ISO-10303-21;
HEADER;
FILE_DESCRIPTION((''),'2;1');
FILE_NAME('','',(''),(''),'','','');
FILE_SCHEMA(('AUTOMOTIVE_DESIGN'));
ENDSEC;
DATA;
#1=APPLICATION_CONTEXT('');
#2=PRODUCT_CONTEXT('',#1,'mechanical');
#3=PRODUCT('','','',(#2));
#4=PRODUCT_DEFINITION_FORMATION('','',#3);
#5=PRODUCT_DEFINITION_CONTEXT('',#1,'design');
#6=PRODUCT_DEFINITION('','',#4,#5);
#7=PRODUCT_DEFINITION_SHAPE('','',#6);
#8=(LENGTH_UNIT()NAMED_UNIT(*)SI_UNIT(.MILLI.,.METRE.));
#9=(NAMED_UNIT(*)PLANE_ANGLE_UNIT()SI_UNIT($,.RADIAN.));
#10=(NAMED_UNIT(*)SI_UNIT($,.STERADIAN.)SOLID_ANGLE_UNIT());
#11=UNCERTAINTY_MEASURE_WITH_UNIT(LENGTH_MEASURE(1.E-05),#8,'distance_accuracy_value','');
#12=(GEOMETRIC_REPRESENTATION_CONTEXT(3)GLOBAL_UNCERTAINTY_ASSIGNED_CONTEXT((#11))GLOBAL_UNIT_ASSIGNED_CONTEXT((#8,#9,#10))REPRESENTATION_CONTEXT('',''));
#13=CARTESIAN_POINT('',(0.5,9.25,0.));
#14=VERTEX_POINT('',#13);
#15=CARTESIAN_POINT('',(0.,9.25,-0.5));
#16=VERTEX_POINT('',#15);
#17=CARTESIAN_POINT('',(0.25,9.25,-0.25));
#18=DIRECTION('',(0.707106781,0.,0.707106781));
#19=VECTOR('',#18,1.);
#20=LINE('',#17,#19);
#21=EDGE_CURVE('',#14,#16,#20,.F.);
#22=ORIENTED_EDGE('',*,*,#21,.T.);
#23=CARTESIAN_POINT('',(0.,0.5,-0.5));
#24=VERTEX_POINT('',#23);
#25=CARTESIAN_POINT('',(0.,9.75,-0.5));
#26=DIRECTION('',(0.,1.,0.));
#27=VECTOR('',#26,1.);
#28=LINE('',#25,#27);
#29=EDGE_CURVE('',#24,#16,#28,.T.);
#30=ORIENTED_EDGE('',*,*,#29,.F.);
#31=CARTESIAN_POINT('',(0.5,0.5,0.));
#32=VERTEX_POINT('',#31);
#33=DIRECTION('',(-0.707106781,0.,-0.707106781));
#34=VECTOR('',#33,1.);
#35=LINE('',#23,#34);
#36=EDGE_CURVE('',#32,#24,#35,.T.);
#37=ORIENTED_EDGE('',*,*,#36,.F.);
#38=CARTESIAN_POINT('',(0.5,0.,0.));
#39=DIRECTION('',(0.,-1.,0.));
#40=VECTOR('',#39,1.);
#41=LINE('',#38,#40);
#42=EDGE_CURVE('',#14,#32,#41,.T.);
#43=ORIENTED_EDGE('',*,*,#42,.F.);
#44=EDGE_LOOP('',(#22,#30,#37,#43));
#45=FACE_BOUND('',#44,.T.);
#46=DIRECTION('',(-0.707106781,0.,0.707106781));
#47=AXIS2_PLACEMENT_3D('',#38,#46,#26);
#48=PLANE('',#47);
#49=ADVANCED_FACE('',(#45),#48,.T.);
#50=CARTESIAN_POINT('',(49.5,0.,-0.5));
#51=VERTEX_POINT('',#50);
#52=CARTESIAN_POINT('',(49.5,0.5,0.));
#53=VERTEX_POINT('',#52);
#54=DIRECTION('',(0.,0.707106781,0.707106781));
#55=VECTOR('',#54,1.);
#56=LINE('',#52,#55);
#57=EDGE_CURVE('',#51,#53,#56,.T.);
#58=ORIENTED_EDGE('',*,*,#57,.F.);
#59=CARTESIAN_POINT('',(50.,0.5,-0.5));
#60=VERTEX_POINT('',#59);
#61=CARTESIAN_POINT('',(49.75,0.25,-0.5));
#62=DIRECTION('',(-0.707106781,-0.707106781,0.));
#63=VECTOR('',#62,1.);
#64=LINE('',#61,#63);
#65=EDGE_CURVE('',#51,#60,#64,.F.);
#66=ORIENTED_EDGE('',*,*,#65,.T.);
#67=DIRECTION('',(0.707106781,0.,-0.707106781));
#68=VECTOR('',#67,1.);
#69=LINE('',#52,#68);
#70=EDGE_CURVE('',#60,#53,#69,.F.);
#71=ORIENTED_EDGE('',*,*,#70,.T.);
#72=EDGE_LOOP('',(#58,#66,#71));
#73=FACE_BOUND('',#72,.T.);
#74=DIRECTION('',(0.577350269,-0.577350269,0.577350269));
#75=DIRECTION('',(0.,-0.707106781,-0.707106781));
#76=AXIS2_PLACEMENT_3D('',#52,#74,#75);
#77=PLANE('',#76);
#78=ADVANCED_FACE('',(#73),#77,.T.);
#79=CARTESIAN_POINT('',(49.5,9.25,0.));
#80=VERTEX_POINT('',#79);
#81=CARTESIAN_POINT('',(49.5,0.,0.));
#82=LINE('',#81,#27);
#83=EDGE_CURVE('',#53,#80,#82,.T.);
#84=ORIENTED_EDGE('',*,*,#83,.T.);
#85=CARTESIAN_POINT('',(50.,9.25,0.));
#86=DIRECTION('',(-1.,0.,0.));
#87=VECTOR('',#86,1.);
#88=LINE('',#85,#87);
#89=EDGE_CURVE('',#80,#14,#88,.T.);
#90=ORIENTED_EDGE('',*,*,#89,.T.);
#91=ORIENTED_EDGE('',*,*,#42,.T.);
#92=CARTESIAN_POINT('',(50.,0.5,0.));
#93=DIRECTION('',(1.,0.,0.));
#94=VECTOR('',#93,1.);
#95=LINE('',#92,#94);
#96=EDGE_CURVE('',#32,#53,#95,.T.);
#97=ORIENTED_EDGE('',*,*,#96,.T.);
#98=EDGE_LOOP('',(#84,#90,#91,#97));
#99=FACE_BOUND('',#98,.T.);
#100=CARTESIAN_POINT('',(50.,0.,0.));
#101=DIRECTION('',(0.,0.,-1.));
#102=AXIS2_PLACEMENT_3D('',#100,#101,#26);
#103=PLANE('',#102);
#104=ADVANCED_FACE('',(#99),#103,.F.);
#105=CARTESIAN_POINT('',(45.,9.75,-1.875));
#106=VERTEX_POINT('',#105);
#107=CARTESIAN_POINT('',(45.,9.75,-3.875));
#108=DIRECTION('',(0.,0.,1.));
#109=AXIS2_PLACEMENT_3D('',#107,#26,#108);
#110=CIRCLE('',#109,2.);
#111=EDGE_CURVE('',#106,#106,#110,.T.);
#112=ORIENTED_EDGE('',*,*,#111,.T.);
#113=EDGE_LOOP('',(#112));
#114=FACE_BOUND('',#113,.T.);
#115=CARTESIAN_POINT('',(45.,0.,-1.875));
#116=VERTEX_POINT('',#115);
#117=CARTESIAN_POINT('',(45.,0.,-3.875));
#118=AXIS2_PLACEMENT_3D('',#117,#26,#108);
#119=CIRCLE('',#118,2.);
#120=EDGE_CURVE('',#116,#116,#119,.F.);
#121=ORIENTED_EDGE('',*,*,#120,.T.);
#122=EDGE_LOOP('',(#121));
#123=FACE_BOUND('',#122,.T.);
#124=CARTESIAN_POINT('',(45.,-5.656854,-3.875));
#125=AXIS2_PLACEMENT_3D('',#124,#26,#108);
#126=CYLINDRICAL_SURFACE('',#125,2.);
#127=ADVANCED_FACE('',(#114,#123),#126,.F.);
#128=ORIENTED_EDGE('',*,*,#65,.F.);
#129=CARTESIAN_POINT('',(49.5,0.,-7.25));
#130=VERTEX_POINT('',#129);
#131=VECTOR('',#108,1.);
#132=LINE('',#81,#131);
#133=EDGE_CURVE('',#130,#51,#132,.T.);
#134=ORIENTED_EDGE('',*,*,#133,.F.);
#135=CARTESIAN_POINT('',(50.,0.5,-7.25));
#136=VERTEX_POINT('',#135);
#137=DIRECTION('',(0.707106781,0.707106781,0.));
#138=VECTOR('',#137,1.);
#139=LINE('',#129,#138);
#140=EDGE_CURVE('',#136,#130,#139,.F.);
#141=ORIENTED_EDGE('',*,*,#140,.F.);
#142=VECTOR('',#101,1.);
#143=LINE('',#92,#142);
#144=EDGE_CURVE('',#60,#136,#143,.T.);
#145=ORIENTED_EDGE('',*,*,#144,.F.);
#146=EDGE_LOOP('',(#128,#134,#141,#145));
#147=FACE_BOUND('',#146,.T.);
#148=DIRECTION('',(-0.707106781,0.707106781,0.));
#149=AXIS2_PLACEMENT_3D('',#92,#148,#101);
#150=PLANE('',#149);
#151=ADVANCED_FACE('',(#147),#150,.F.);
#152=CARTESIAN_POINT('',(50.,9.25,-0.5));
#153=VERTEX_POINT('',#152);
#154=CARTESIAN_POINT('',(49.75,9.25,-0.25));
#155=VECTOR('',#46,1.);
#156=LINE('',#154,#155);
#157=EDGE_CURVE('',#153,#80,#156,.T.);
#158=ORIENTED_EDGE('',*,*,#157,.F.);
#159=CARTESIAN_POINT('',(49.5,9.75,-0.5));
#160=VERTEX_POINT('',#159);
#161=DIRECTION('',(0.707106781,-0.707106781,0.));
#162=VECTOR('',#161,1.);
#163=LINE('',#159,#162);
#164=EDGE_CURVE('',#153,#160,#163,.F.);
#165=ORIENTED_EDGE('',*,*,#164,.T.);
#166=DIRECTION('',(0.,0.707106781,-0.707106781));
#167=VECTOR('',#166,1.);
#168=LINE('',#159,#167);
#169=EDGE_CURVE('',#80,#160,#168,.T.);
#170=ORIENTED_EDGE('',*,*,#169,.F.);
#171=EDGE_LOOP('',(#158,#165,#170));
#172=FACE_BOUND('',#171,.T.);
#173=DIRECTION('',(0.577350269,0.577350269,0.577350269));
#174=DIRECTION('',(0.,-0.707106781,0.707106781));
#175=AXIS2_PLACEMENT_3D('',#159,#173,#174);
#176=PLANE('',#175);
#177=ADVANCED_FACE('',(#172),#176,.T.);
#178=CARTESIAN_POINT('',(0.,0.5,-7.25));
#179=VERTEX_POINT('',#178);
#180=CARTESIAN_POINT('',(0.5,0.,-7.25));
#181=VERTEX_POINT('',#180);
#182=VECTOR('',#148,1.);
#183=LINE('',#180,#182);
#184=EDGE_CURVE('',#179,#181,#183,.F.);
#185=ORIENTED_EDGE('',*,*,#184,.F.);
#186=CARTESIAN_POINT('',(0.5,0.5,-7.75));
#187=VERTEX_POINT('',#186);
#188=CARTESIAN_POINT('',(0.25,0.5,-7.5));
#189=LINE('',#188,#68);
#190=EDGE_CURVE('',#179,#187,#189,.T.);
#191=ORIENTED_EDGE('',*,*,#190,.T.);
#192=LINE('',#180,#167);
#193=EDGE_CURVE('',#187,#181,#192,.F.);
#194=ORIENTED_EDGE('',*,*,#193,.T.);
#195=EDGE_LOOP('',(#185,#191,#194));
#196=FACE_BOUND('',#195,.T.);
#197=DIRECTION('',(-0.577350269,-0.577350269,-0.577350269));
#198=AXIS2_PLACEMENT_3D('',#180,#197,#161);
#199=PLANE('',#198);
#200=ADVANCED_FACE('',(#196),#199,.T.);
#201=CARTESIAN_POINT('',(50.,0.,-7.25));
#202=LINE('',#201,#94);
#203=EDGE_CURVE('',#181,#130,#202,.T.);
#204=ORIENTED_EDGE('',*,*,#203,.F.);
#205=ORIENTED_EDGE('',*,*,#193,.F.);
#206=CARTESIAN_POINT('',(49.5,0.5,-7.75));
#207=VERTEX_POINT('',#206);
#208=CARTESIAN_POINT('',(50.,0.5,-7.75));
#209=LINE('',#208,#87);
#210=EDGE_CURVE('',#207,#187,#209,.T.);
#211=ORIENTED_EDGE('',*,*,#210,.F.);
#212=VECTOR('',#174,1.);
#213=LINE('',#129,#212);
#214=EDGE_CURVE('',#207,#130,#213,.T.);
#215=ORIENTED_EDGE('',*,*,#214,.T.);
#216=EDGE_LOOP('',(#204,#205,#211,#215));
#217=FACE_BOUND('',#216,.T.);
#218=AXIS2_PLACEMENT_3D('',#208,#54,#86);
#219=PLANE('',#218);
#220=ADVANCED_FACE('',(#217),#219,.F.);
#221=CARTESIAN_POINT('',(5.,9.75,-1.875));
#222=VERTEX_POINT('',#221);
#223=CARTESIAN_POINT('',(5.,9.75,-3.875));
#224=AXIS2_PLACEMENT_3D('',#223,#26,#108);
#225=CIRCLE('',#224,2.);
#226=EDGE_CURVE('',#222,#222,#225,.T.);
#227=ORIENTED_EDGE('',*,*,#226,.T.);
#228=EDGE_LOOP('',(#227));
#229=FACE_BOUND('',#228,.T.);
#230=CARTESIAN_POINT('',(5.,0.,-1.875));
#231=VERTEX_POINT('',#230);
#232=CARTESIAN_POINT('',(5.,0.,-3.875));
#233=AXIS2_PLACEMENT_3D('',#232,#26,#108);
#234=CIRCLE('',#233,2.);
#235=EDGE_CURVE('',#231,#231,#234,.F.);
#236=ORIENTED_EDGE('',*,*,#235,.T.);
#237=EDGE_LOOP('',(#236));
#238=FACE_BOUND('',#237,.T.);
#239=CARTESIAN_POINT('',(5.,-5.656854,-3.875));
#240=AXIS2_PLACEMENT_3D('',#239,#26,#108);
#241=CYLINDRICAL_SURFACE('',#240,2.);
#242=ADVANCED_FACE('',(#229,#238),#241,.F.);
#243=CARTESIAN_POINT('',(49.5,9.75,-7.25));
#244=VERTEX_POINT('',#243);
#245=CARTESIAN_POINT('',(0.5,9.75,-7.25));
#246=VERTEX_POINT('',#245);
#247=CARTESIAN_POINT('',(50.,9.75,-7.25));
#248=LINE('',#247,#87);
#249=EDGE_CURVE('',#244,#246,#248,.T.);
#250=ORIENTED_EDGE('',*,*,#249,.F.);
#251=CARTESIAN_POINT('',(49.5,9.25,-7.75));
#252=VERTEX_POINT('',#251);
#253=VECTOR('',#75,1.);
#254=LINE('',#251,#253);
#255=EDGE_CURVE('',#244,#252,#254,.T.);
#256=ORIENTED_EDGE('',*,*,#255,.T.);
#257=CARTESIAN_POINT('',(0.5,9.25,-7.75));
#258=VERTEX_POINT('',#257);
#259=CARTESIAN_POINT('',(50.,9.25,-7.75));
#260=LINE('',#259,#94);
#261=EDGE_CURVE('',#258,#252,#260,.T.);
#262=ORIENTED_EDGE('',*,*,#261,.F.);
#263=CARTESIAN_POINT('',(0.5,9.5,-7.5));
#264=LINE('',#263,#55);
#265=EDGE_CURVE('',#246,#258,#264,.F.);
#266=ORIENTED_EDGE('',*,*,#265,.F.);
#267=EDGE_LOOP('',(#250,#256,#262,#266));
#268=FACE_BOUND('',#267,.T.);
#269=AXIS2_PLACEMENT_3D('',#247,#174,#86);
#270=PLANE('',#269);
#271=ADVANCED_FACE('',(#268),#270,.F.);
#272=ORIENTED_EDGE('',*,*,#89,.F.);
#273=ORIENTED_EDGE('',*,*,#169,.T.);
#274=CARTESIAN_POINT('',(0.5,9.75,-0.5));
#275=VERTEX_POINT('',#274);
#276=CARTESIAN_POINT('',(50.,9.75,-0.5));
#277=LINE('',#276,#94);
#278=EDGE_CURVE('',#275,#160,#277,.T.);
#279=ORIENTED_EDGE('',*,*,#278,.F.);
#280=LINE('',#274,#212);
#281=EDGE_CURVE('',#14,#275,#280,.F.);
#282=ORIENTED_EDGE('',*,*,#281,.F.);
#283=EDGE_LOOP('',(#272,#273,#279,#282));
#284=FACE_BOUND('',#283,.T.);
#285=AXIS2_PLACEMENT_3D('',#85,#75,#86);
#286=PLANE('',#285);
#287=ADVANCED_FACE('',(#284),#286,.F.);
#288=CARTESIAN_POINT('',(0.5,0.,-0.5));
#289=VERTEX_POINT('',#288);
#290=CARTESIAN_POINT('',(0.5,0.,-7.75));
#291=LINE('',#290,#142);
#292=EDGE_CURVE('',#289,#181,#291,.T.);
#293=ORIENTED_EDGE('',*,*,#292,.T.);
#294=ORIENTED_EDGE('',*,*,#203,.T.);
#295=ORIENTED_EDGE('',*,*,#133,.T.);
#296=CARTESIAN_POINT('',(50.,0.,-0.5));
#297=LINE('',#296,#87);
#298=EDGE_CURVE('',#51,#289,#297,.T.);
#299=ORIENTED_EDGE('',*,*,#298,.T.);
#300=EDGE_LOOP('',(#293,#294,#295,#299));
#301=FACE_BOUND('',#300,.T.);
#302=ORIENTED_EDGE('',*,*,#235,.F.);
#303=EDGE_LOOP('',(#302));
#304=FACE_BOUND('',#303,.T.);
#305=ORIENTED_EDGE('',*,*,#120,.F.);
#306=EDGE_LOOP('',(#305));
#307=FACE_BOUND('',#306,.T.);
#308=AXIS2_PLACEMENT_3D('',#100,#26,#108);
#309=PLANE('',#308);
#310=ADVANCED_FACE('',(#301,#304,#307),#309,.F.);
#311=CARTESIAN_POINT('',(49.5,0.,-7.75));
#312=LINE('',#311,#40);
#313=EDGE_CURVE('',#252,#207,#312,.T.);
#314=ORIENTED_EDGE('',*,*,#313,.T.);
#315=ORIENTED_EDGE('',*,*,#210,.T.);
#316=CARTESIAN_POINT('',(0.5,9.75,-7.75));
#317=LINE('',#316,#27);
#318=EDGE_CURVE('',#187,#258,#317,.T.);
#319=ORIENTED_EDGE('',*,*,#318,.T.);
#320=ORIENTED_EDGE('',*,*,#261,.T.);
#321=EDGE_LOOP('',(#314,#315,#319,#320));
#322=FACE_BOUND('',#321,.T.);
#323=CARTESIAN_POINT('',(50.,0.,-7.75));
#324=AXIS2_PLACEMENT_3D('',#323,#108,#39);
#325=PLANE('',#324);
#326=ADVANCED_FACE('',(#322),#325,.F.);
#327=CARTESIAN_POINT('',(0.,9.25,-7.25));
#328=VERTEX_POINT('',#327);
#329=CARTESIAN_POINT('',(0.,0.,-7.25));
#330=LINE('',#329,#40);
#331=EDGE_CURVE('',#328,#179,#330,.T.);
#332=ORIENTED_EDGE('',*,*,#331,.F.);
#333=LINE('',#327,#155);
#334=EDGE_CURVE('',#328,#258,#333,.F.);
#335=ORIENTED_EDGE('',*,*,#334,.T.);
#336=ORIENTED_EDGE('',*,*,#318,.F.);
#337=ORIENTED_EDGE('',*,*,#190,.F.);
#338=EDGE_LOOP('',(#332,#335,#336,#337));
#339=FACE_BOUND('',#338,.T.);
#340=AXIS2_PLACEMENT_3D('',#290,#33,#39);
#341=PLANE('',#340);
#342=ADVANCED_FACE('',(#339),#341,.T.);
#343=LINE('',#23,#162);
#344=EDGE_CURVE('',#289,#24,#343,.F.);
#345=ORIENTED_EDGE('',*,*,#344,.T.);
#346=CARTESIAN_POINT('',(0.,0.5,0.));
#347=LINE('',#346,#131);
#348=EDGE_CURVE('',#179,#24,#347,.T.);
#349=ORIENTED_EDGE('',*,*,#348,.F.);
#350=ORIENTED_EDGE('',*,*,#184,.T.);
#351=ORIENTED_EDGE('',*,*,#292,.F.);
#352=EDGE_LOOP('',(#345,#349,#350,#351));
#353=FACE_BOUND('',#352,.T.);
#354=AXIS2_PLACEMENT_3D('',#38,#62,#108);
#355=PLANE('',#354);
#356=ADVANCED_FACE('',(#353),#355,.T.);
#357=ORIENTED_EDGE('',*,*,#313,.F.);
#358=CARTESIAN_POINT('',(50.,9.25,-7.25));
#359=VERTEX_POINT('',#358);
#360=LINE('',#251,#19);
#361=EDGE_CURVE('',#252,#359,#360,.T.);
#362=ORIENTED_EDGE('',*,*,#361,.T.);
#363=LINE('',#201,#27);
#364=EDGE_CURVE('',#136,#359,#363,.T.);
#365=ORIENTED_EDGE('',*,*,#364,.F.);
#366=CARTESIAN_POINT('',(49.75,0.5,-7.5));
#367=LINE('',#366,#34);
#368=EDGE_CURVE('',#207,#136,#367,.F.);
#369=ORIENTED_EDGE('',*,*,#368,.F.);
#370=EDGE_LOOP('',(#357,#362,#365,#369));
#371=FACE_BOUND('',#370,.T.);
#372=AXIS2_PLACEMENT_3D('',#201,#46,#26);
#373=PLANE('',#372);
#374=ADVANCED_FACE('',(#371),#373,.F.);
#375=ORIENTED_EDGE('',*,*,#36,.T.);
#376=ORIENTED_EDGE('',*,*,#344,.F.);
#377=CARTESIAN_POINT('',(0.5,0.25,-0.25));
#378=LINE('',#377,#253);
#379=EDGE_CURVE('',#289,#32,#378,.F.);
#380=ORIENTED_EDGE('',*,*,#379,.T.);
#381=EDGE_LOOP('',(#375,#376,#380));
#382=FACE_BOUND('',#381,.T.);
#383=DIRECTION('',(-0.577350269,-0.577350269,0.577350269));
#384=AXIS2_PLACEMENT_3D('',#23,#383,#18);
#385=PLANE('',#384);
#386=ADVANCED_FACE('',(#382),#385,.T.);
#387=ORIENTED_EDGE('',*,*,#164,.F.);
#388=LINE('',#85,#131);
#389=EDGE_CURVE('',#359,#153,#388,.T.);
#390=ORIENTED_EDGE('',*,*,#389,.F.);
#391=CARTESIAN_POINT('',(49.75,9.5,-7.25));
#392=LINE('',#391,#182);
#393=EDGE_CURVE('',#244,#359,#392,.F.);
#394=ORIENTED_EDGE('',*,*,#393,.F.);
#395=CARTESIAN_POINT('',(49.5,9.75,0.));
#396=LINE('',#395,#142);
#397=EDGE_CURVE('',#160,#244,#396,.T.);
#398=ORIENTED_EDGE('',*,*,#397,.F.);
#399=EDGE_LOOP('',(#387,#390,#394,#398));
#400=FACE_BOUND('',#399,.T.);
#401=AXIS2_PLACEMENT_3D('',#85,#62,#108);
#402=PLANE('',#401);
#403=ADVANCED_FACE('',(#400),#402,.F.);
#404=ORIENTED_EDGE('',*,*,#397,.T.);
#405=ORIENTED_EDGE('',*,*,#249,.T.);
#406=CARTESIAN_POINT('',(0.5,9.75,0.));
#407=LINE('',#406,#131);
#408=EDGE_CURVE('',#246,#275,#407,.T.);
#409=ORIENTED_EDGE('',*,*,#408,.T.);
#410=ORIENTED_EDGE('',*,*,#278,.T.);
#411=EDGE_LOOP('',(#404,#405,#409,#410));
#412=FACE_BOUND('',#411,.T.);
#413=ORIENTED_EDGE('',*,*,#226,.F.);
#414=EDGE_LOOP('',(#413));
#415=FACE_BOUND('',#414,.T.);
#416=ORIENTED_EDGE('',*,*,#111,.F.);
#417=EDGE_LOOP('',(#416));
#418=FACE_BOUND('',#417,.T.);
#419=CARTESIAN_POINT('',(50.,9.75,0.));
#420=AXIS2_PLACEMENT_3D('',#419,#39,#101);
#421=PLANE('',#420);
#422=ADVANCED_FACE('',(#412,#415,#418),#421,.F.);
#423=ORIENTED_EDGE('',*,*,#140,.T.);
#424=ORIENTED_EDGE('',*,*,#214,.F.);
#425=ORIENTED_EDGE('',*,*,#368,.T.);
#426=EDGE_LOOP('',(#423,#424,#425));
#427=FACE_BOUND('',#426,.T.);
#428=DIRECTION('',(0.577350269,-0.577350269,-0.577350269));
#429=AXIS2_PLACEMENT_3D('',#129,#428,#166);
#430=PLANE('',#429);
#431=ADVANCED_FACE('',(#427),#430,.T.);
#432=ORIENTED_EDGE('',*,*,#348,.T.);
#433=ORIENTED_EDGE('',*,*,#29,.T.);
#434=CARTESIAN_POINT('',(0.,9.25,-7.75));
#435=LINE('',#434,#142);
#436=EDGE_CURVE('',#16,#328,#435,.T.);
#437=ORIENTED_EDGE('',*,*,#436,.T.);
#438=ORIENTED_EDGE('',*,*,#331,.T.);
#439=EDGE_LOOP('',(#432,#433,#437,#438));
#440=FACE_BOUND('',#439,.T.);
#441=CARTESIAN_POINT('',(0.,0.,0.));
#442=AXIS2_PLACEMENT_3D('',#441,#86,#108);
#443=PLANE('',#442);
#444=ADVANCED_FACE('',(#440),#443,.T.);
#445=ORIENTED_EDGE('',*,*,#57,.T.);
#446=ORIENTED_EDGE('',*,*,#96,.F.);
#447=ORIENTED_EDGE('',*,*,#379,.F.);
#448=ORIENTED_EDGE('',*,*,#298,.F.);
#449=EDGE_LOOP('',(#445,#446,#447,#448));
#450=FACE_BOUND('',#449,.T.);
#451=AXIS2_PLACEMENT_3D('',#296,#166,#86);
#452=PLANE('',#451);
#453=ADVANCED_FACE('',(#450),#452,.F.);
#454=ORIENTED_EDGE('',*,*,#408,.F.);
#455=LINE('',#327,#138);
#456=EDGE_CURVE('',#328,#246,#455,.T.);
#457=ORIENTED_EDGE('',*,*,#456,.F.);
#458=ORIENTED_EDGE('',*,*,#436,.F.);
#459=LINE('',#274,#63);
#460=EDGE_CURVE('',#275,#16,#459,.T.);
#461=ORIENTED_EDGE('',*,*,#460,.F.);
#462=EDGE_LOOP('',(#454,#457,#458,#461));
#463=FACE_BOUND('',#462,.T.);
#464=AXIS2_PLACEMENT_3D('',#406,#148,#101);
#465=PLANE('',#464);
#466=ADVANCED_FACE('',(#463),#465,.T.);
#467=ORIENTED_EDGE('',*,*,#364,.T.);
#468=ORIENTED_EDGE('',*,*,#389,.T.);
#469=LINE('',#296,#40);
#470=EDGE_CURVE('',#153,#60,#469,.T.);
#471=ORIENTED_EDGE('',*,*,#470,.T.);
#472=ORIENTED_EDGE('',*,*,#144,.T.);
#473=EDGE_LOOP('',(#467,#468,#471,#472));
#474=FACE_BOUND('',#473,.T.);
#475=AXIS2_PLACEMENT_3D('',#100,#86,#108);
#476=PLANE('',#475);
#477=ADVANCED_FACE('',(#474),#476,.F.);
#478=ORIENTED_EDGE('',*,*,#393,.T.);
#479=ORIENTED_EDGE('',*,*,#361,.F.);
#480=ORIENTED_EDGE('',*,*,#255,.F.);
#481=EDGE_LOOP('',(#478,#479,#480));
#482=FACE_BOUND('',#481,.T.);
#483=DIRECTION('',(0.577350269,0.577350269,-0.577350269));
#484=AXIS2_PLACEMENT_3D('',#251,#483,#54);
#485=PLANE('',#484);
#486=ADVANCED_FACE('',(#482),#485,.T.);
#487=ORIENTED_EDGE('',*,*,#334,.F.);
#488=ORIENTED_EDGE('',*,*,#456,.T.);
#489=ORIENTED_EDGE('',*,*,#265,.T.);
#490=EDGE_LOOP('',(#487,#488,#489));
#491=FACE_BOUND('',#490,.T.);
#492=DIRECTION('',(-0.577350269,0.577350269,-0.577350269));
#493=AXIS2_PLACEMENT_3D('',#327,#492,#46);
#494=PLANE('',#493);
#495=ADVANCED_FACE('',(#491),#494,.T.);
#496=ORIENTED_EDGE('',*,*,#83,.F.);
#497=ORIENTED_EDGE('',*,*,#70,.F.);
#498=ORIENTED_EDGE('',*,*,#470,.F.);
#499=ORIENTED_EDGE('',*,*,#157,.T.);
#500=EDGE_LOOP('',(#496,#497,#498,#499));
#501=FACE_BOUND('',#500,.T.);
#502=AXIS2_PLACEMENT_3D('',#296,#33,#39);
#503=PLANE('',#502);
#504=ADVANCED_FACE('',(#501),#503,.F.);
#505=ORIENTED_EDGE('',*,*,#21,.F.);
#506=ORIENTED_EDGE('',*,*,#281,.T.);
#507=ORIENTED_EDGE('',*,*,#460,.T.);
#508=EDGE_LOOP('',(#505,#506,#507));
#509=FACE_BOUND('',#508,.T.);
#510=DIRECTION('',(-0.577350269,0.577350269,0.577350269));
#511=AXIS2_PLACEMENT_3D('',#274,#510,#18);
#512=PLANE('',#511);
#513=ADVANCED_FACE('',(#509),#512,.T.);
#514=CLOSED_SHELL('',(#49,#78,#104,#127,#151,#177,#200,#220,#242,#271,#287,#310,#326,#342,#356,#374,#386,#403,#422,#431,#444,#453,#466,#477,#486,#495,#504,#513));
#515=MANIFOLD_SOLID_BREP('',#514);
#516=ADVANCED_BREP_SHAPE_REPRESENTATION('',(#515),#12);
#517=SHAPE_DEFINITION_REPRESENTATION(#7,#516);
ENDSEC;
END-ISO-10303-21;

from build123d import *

# Parameters (mm, degrees)
SKETCH1_W           = 7.75
SKETCH1_H           = 9.75
BOSS_EXTRUDE1_DEPTH = 50
SKETCH4_R           = 2
CUT_EXTRUDE3_DEPTH  = 9.75
CHAMFER1_SIZE       = 0.5


with BuildPart() as part:
    # Sketch1 → Boss-Extrude1 (new body)
    with BuildSketch(Plane(origin=(0, 0, 0), x_dir=(0, 0, -1), z_dir=(1, 0, 0))):
        with Locations((3.875, 4.875)):
            Rectangle(SKETCH1_W, SKETCH1_H)
    extrude(amount=BOSS_EXTRUDE1_DEPTH)

    # Sketch4 → Cut-Extrude3 (cut)
    with BuildSketch(Plane(origin=(0, 9.75, 0), x_dir=(1, 0, 0), z_dir=(0, 1, 0))):
        with Locations((5, 3.875)):
            Circle(SKETCH4_R)
        with Locations((45, 3.875)):
            Circle(SKETCH4_R)
    extrude(amount=-CUT_EXTRUDE3_DEPTH, mode=Mode.SUBTRACT)

    # Chamfer1
    chamfer1_edges = [part.edges().sort_by_distance(p)[0] for p in [
        (50, 4.875, -7.75),
        (50, 9.75, -3.875),
        (50, 4.875, 0),
        (0, 9.75, -3.875),
        (0, 4.875, -7.75),
        (0, 0, -3.875),
        (0, 4.875, 0),
        (25, 9.75, 0),
        (25, 9.75, -7.75),
        (25, 0, -7.75),
        (25, 0, 0),
        (50, 0, -3.875),
    ]]
    chamfer(chamfer1_edges, length=CHAMFER1_SIZE)


solid = part.part
